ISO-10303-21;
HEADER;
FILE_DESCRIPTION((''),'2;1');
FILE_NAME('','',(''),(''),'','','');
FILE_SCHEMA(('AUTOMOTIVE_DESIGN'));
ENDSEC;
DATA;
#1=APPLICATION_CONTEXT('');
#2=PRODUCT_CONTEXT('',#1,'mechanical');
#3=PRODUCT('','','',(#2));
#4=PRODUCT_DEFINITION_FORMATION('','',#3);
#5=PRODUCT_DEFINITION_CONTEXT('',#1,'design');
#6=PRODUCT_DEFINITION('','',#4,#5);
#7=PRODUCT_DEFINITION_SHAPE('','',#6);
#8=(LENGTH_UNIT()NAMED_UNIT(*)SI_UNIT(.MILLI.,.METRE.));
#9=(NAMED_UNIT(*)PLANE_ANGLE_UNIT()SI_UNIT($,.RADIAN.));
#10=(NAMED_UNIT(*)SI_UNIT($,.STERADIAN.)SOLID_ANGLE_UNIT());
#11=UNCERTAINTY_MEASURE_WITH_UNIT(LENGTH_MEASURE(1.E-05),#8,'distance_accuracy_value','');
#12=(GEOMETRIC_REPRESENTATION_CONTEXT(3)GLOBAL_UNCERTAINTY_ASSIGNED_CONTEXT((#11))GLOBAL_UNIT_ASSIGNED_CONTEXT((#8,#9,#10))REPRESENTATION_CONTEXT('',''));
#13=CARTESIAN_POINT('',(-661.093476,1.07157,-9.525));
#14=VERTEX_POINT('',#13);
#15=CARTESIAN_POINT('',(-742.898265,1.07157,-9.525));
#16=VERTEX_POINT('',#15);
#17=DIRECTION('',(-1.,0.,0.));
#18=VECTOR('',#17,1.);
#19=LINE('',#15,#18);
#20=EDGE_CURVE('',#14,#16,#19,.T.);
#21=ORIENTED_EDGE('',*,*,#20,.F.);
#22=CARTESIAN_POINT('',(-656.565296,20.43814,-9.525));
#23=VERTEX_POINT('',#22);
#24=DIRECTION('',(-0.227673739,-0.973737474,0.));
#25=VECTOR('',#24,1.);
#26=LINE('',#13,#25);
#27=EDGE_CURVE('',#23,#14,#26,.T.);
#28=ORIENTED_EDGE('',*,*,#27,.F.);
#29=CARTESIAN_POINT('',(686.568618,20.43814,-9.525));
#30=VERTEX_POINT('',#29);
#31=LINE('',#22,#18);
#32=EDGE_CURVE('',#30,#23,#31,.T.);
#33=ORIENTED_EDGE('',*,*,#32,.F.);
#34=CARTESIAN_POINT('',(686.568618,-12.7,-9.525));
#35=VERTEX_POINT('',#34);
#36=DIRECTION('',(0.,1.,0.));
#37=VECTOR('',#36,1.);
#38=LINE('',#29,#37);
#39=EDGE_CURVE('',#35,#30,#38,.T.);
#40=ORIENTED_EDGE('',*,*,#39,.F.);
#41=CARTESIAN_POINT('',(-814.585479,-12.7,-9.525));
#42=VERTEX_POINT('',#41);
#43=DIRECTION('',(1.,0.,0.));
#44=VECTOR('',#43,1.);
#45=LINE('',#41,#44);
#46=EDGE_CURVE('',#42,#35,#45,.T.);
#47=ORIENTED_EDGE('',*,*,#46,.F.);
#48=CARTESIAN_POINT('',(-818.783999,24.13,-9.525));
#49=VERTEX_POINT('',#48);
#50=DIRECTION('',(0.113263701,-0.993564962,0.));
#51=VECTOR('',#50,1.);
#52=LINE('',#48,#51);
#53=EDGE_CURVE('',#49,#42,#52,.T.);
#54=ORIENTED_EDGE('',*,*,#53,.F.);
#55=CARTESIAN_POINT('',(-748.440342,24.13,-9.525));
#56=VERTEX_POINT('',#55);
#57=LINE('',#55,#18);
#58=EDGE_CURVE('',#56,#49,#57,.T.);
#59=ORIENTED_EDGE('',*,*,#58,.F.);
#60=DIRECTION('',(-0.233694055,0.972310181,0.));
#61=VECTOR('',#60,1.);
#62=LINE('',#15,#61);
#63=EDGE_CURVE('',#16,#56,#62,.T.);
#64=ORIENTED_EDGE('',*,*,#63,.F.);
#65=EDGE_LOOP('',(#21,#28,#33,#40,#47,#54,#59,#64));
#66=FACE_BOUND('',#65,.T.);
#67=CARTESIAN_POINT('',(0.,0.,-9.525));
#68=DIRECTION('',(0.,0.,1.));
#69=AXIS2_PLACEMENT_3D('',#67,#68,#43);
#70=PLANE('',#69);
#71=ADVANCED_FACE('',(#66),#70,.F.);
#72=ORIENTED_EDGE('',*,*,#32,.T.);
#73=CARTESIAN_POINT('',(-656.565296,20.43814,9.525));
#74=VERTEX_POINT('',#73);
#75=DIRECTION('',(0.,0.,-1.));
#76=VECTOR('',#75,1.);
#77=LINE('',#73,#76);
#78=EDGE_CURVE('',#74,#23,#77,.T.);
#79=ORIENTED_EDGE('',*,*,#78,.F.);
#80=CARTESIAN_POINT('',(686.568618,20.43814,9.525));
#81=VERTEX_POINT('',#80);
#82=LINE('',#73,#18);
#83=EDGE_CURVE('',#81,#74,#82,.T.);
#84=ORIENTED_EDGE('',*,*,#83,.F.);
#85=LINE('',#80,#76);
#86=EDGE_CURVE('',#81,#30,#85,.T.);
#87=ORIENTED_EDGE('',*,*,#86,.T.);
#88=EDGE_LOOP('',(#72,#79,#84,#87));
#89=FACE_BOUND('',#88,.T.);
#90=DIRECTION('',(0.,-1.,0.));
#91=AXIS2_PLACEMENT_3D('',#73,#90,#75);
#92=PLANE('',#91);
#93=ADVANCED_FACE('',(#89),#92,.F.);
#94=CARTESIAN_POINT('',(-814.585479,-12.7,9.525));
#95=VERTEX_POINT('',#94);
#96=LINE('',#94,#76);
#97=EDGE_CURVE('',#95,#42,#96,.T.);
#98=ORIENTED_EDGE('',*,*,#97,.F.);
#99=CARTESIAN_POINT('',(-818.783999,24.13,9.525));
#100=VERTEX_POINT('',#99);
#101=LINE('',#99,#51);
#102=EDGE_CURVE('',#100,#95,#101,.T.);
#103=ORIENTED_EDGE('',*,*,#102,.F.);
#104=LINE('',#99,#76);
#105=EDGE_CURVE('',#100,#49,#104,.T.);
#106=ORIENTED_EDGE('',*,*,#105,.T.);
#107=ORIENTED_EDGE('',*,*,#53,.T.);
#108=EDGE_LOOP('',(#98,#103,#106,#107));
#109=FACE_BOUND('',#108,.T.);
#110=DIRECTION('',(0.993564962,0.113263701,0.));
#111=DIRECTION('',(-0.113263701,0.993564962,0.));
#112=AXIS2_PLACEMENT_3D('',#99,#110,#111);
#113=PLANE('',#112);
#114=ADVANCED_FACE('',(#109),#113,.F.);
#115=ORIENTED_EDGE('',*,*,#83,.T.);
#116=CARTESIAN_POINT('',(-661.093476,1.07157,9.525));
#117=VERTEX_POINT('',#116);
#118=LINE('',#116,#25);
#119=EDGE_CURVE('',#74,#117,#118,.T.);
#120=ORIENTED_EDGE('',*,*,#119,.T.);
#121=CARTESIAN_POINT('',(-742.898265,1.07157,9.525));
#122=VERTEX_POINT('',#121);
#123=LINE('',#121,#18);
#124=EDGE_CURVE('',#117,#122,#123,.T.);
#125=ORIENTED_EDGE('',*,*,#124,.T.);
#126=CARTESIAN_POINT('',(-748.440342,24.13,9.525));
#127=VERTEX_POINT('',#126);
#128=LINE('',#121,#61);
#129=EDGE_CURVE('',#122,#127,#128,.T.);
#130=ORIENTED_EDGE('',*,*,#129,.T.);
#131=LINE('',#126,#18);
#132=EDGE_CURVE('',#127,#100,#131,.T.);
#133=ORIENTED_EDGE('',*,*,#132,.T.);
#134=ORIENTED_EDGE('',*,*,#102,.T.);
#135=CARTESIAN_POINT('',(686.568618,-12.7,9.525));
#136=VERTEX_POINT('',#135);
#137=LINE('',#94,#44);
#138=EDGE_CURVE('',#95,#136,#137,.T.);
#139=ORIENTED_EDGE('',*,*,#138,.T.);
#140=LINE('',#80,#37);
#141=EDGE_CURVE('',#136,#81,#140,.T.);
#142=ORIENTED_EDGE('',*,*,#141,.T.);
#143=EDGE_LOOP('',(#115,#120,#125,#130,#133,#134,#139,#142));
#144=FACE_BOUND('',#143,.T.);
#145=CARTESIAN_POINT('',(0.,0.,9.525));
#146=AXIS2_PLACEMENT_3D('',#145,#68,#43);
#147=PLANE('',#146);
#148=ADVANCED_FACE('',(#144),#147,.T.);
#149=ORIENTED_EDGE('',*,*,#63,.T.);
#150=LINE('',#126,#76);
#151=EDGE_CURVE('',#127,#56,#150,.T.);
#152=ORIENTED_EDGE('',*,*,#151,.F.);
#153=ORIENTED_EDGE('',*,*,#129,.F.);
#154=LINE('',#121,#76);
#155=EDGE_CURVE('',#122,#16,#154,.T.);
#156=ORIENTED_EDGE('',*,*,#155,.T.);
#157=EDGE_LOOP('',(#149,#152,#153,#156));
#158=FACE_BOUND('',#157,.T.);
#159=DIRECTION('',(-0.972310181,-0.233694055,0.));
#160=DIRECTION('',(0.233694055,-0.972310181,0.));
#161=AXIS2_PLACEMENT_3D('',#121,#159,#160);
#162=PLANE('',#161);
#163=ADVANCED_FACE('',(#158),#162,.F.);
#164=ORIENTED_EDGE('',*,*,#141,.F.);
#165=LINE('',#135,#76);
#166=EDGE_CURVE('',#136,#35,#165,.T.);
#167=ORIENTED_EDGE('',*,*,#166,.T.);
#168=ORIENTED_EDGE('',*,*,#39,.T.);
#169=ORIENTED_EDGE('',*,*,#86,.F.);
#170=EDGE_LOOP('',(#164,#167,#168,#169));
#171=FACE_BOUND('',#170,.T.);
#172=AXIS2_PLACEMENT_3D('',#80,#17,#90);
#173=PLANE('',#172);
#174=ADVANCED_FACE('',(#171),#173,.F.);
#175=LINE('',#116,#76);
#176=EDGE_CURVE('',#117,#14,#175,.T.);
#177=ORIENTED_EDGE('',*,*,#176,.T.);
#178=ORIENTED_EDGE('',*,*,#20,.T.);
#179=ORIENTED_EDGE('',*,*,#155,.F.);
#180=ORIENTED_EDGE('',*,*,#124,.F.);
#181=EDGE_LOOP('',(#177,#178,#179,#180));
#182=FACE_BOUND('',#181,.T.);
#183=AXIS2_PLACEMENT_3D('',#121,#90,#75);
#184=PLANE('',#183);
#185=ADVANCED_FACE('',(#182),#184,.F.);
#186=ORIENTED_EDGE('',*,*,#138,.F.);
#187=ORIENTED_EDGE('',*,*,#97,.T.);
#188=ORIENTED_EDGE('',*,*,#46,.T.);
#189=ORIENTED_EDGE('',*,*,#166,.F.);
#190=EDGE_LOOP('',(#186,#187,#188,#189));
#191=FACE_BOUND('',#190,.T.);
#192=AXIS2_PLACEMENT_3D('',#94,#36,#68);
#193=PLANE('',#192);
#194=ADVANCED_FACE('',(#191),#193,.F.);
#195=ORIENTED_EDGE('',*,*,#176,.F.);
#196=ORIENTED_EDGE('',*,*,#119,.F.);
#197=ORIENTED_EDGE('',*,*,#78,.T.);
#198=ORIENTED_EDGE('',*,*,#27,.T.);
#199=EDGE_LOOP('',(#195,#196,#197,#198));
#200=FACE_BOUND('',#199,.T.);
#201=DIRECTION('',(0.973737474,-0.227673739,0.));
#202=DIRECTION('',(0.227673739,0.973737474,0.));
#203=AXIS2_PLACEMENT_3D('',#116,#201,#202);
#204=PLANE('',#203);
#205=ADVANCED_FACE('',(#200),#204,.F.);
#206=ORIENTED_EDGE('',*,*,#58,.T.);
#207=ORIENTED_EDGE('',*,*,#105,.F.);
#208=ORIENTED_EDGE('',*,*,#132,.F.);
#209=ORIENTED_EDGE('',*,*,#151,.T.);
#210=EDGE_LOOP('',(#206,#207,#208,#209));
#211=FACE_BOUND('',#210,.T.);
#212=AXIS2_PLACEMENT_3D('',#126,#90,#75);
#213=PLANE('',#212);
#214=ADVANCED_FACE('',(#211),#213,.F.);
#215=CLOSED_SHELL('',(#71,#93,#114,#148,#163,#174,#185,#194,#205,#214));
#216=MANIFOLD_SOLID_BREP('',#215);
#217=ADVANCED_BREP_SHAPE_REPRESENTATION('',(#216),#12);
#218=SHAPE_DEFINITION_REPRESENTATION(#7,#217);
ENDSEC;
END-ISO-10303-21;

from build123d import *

# Parameters (mm, degrees)
BOSS_EXTRUDE1_DEPTH = 9.525


with BuildPart() as part:
    # Sketch1 → Boss-Extrude1 (new, symmetric)
    with BuildSketch(Plane.XY):
        Polygon((-742.898264889, 1.07156984), (-748.440342046, 24.13), (-818.783998967, 24.13), (-814.585479233, -12.7), (686.56861847, -12.7), (686.56861847, 20.438139689), (-656.565295631, 20.438139689), (-661.093476465, 1.07156984), align=None)
    extrude(amount=BOSS_EXTRUDE1_DEPTH, both=True)


solid = part.part
